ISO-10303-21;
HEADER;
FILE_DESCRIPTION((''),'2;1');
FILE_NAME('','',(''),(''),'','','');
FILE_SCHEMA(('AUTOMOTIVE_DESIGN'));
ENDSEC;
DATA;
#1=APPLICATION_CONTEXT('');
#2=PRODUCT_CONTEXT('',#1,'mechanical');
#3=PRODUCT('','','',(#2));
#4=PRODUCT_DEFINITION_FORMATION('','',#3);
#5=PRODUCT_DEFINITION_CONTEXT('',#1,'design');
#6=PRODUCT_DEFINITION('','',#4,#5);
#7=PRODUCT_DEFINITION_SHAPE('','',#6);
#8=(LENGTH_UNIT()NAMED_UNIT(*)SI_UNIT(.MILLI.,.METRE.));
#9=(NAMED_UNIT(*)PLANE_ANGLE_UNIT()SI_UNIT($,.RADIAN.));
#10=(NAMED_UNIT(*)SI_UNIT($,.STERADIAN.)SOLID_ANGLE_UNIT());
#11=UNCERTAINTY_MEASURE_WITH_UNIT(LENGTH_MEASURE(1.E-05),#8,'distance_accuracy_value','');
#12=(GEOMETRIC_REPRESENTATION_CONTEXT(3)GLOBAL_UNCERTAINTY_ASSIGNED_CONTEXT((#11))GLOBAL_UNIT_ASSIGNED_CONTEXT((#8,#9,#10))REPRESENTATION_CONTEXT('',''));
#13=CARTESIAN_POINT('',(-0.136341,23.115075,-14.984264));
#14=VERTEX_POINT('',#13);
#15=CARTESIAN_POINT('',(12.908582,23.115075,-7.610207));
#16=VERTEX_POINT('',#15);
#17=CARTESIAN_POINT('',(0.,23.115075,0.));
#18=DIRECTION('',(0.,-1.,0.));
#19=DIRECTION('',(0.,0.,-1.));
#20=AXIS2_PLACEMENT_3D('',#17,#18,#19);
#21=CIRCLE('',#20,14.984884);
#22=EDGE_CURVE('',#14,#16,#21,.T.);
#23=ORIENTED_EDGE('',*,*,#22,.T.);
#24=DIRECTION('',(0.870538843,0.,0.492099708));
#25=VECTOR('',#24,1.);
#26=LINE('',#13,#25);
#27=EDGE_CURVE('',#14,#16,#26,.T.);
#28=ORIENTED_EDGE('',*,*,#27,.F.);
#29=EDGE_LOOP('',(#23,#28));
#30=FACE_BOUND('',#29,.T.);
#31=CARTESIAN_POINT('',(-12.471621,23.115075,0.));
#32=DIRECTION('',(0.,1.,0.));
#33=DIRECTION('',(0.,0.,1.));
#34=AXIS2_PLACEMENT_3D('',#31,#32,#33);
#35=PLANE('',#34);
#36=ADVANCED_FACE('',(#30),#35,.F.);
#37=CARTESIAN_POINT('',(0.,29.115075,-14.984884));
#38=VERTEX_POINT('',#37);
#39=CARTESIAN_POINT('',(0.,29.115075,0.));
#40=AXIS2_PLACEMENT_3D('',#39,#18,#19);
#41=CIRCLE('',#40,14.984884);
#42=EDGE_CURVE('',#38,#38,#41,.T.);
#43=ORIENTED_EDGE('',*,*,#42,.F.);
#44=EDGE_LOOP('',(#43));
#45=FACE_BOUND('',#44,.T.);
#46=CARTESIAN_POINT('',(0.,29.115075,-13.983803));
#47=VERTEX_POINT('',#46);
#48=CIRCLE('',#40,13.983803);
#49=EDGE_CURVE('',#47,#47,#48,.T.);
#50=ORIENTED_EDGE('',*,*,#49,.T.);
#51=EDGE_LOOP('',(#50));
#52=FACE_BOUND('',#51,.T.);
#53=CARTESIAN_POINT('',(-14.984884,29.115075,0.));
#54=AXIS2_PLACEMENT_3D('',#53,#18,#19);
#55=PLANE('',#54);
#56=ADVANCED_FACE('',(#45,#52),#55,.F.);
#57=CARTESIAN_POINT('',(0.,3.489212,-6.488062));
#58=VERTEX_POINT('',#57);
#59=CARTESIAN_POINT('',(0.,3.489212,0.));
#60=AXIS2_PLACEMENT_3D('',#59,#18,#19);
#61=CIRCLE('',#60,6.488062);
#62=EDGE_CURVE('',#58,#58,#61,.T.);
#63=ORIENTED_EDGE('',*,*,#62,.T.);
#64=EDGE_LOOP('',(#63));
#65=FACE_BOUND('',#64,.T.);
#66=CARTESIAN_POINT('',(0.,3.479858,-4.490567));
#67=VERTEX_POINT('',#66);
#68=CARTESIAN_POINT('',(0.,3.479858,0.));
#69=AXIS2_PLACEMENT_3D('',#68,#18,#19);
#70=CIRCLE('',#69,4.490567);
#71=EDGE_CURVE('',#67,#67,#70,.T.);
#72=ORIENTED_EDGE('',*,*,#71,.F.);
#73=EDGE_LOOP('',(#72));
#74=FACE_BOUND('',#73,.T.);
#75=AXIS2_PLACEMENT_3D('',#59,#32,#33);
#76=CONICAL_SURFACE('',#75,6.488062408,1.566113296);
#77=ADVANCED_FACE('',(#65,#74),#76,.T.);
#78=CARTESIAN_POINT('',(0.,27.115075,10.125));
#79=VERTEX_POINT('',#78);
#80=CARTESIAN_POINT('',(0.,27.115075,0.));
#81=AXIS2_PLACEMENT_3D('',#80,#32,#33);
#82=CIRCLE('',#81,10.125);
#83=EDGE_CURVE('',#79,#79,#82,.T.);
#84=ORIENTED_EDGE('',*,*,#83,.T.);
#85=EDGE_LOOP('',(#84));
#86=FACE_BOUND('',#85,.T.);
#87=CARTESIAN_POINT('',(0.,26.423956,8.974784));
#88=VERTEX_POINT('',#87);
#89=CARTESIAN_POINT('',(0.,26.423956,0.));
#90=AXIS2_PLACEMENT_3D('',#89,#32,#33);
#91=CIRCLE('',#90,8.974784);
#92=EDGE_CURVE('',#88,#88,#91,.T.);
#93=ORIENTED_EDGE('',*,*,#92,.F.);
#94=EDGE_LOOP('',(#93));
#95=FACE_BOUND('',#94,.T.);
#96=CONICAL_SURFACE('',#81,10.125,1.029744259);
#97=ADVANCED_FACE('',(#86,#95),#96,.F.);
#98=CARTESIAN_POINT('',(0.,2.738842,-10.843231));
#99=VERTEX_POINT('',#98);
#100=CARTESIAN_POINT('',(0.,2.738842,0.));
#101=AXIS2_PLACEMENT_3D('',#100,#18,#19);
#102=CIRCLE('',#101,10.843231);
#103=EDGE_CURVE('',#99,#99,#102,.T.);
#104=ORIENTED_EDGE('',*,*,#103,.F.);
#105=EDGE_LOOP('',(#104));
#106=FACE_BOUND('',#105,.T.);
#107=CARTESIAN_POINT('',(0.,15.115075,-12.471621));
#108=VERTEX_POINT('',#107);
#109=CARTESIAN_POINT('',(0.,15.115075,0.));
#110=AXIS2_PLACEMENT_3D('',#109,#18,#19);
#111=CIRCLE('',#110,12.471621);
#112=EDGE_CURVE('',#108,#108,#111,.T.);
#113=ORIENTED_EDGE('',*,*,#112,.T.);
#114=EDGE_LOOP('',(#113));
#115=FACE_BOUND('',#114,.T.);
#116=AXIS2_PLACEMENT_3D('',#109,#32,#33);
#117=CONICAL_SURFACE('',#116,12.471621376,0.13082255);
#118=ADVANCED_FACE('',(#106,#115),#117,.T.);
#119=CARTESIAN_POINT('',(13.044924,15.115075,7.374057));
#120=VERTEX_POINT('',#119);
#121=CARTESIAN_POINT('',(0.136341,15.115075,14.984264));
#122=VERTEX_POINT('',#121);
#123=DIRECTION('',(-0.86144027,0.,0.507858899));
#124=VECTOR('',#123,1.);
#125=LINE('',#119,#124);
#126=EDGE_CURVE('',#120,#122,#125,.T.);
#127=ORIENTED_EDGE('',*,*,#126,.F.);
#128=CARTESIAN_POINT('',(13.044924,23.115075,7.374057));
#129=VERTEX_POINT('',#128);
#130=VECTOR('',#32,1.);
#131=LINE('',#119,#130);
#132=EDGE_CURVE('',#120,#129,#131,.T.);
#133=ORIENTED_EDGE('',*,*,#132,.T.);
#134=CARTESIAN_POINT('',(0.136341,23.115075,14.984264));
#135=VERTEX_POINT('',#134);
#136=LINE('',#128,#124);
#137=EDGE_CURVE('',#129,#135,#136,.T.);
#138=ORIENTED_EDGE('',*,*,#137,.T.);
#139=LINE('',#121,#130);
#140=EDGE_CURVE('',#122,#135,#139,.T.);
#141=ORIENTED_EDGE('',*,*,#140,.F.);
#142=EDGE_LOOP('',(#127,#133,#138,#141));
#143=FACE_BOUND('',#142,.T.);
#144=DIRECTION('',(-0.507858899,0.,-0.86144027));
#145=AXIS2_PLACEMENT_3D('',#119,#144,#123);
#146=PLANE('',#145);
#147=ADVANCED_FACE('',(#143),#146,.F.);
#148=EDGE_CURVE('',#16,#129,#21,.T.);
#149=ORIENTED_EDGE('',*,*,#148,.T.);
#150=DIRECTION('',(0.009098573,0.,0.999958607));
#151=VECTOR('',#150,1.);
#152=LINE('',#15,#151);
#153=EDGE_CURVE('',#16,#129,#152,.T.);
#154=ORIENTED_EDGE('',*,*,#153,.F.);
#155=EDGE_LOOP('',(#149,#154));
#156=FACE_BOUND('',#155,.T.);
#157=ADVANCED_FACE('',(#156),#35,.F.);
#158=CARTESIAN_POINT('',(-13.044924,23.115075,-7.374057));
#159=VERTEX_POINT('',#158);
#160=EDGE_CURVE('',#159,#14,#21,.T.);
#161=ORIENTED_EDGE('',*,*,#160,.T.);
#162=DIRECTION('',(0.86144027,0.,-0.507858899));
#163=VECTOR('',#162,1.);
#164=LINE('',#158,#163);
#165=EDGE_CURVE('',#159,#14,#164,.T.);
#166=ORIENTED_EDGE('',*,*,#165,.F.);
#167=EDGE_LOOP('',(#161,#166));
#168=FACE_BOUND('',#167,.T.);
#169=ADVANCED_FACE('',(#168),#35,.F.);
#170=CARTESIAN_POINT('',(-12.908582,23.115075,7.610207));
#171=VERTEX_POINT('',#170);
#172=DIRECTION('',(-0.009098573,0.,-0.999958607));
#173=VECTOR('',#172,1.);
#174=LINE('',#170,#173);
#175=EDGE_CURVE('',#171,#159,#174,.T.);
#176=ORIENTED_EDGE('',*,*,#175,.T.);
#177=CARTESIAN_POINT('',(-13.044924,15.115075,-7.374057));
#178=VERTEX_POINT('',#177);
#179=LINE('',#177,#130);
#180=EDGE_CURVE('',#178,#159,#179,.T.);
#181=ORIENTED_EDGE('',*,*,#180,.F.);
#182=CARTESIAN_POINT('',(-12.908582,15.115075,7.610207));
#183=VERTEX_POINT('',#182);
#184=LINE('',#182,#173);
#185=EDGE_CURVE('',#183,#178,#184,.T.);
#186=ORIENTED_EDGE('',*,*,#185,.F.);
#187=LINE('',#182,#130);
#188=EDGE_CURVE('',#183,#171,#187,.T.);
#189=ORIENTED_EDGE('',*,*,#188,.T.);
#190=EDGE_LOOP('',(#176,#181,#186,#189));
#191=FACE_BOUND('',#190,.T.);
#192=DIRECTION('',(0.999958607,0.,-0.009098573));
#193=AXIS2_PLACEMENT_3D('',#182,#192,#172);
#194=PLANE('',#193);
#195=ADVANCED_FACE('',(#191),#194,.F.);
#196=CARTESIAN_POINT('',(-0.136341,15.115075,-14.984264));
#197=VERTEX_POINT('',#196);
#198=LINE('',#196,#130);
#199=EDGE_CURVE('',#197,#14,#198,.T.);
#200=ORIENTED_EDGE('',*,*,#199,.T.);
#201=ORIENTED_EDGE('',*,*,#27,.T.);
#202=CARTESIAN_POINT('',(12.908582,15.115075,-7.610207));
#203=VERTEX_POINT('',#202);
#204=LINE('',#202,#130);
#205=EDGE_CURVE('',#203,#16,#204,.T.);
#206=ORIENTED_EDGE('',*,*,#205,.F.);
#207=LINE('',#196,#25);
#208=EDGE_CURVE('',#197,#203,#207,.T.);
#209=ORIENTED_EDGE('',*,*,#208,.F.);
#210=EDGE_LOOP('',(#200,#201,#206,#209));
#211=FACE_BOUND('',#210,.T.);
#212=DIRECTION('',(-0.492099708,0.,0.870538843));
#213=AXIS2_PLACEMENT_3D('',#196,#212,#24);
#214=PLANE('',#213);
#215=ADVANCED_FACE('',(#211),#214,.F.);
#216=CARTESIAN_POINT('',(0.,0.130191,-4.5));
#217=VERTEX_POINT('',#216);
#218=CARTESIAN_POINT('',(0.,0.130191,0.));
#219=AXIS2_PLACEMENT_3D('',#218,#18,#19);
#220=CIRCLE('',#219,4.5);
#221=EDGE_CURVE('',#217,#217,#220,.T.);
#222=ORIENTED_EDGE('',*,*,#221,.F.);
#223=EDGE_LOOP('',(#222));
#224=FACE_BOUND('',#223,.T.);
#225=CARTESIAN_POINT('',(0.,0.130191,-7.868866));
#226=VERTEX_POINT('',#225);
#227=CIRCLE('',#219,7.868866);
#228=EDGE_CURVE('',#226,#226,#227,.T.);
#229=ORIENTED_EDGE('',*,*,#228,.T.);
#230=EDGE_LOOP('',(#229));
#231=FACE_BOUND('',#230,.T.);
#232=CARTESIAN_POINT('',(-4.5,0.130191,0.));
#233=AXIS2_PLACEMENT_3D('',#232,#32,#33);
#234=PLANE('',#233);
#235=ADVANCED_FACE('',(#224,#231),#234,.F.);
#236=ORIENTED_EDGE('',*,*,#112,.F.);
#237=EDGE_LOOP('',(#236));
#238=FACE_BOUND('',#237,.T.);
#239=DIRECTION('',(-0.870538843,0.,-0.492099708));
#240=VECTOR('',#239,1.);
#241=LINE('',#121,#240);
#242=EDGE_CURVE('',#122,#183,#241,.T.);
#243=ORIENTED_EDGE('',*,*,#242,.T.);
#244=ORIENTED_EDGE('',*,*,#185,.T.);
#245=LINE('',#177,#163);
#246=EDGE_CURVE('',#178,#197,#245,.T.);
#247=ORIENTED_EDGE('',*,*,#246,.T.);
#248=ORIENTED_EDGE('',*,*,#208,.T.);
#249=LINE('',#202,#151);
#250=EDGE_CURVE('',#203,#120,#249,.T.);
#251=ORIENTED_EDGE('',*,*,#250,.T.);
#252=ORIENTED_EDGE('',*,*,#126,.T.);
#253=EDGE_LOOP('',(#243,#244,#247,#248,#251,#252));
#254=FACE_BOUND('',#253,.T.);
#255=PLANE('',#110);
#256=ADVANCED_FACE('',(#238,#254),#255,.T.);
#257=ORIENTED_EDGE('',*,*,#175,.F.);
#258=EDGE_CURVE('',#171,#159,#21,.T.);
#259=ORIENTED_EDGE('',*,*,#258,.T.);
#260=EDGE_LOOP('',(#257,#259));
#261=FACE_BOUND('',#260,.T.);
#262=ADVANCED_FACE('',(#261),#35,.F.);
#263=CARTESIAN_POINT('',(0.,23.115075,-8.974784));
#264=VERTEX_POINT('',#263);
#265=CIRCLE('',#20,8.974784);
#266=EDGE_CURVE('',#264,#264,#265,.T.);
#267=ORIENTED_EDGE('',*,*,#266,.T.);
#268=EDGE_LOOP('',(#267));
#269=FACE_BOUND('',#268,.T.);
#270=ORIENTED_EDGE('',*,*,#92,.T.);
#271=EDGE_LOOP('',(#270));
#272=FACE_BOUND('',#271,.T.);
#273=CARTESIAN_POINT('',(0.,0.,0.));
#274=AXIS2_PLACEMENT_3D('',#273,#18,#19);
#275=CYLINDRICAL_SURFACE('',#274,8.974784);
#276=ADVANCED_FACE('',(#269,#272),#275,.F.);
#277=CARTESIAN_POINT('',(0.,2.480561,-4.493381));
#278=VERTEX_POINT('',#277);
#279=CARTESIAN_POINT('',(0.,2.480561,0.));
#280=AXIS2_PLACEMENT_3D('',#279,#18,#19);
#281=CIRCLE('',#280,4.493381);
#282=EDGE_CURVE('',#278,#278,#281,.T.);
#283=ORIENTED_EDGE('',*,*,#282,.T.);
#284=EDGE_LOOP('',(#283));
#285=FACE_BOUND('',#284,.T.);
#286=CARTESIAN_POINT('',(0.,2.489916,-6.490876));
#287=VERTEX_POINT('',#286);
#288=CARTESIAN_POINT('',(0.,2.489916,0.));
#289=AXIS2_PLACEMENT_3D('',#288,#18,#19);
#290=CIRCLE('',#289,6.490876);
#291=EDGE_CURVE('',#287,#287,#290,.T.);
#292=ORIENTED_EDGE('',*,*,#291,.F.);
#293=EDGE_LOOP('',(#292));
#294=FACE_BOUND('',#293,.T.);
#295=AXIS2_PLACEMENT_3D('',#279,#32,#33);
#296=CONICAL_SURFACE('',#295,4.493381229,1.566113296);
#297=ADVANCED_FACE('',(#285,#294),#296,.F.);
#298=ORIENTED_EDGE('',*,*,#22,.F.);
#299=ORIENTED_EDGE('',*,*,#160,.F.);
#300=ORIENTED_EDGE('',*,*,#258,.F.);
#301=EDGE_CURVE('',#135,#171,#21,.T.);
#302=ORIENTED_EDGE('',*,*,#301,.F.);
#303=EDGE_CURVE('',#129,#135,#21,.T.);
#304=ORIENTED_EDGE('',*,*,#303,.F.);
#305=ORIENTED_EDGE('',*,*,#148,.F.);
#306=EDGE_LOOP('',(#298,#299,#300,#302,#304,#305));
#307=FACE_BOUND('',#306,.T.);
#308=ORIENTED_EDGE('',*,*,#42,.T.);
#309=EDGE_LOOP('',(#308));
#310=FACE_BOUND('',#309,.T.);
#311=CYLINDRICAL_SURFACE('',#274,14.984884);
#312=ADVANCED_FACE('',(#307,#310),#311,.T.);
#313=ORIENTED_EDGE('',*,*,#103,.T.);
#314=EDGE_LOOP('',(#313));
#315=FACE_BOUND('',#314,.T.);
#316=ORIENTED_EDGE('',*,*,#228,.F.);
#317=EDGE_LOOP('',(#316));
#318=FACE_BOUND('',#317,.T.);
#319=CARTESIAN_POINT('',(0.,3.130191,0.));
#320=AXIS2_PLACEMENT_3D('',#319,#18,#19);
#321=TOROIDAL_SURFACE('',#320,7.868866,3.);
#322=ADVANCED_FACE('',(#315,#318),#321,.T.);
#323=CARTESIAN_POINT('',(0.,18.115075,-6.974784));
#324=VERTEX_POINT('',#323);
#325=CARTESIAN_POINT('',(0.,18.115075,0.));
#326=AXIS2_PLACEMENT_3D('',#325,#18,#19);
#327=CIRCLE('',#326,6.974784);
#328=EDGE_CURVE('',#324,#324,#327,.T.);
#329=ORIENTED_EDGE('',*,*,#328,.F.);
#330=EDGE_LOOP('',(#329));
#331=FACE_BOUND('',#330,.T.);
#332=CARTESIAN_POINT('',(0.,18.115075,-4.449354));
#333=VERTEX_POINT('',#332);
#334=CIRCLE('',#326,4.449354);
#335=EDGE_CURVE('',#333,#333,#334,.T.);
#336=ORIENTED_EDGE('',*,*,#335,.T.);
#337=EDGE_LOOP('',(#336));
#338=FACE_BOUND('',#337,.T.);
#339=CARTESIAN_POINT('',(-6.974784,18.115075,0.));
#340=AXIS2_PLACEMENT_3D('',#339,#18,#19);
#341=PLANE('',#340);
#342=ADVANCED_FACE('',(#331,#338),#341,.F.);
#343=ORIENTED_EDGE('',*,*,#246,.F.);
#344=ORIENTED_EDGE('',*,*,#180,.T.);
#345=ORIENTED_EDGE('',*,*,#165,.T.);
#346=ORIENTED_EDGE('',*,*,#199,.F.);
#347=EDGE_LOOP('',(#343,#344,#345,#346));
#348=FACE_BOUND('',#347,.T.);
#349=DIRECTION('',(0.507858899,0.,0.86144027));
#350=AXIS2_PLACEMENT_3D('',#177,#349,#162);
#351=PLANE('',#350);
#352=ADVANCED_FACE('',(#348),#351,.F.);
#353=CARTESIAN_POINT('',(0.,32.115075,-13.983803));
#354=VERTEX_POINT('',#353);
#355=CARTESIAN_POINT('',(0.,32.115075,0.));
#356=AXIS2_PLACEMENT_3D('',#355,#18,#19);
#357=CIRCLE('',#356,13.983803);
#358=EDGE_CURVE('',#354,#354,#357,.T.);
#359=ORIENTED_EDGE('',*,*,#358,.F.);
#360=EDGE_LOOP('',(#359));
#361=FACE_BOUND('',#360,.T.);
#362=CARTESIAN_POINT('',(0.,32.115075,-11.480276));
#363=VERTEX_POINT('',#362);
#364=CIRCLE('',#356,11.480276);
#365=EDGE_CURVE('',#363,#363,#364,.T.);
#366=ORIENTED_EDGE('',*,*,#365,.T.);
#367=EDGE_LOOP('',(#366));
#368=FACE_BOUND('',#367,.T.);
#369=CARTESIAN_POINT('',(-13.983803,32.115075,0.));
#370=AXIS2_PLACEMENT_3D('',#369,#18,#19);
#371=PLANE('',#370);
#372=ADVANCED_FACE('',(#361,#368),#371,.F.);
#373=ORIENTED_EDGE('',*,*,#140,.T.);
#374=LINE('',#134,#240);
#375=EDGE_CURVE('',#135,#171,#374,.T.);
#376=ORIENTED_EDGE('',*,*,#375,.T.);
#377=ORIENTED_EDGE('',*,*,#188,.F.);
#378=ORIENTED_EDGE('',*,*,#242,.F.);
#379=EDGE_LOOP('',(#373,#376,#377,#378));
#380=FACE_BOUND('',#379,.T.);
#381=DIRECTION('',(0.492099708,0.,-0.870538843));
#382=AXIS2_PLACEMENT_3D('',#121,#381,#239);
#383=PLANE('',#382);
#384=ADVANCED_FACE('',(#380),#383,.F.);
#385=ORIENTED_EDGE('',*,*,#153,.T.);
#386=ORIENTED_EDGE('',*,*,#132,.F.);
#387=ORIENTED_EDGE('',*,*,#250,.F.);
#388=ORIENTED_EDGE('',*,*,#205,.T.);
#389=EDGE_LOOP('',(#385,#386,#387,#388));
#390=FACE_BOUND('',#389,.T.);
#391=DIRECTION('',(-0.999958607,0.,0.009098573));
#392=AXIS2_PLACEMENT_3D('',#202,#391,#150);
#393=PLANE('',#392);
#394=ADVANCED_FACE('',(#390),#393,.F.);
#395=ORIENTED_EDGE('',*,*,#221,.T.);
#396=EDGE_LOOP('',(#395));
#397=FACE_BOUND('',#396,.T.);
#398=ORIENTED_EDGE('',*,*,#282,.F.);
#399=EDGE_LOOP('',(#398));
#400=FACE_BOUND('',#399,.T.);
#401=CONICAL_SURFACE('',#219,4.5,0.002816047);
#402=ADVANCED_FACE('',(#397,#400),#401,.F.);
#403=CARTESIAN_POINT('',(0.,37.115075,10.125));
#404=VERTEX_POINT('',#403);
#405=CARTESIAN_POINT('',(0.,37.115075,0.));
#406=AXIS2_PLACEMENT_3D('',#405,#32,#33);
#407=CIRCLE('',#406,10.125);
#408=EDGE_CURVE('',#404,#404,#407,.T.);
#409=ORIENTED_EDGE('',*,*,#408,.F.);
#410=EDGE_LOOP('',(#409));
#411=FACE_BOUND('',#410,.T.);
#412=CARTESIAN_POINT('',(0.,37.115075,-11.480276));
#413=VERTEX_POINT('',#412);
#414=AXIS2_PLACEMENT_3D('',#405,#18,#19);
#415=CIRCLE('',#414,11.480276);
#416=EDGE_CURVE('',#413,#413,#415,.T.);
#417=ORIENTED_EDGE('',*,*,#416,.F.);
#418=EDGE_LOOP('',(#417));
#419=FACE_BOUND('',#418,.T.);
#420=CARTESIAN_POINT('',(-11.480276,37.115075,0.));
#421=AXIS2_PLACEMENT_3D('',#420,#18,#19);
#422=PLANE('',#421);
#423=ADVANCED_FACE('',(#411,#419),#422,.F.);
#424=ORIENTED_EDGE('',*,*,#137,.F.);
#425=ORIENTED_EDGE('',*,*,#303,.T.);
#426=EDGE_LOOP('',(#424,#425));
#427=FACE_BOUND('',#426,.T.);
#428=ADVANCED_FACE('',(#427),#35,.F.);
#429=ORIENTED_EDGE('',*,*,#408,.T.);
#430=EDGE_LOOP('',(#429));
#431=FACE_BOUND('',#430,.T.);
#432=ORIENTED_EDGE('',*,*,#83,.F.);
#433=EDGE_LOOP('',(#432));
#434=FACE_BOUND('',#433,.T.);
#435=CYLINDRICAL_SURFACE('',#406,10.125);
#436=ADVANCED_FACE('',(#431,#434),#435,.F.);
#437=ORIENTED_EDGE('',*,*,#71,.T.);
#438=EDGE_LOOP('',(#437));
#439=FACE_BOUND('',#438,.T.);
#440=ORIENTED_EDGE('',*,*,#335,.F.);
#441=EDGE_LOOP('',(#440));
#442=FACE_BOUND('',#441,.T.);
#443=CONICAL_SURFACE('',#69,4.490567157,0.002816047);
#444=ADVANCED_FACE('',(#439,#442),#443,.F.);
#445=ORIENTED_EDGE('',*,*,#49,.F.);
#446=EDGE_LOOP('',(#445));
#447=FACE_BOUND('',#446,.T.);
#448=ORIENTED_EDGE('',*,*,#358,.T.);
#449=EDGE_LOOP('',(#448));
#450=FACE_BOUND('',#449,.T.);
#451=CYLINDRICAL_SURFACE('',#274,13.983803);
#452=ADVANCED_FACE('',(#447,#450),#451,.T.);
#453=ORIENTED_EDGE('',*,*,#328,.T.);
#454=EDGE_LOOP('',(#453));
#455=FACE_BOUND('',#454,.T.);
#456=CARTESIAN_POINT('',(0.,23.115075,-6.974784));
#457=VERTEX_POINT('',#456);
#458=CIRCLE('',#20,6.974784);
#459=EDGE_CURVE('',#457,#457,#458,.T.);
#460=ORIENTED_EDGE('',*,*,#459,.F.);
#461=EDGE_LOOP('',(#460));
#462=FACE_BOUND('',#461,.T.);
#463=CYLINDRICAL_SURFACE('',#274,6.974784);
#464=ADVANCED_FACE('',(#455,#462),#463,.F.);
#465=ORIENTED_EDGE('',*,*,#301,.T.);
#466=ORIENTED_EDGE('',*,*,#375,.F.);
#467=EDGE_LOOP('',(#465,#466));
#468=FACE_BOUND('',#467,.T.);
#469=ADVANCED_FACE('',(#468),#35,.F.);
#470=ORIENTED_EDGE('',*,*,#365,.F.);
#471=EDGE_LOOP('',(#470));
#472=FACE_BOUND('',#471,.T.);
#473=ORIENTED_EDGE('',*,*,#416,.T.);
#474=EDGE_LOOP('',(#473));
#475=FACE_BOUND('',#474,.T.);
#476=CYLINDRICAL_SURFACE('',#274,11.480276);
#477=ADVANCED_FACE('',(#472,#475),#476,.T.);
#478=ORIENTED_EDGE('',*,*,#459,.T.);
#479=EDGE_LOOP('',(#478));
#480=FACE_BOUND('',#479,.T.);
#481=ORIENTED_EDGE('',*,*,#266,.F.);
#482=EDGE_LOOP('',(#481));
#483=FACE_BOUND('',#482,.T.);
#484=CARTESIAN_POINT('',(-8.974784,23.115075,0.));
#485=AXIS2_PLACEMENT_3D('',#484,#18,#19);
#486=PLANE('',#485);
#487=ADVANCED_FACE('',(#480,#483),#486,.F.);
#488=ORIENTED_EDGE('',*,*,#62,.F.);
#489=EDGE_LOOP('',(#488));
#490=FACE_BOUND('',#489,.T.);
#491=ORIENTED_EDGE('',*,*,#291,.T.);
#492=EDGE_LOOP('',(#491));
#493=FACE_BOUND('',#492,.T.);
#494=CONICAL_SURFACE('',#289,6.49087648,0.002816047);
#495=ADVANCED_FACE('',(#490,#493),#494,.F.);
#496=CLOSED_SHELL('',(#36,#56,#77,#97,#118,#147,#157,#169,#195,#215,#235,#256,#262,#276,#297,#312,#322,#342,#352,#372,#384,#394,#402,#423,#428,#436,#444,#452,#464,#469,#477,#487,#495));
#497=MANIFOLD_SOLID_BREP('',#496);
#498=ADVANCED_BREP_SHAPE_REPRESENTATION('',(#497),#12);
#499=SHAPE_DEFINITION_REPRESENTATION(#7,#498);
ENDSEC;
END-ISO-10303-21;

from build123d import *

# Parameters (mm, degrees)
SKETCH_4_R             = 12.471621376
EXTRUDE_2_DEPTH        = 8
SKETCH_6_R             = 8.974783973
EXTRUDE_3_DEPTH        = 8
HOLE_WIZARD_M201_D     = 20.25
HOLE_WIZARD_M201_DEPTH = 10
HOLE_WIZARD_M201_TIP   = 6.083713768


with BuildPart() as part:
    # Эскиз2 → Повернуть1 (revolve)
    with BuildSketch(Plane.XY):
        with BuildLine():
            Line((-4.5, 0.130191103), (-7.868865891, 0.130191103))
            ThreePointArc((-7.868865891, 0.130191103), (-9.846990335, 0.874747979), (-10.843230675, 2.73884198))
            Line((-10.843230675, 2.73884198), (-12.471621376, 15.115075065))
            Line((-12.471621376, 15.115075065), (-12.471621376, 23.115075065))
            Line((-12.471621376, 23.115075065), (-14.984883962, 23.115075065))
            Line((-14.984883962, 23.115075065), (-14.984883962, 29.115075065))
            Line((-14.984883962, 29.115075065), (-13.983803036, 29.115075065))
            Line((-13.983803036, 29.115075065), (-13.983803036, 32.115075065))
            Line((-13.983803036, 32.115075065), (-11.48027645, 32.115075065))
            Line((-11.48027645, 32.115075065), (-11.48027645, 37.115075065))
            Line((-11.48027645, 37.115075065), (-8.974783973, 37.115075065))
            Line((-8.974783973, 37.115075065), (-8.974783973, 23.115075065))
            Line((-8.974783973, 23.115075065), (-6.974783973, 23.115075065))
            Line((-6.974783973, 23.115075065), (-6.974783973, 18.115075065))
            Line((-6.974783973, 18.115075065), (-4.449353589, 18.115075065))
            Line((-4.449353589, 18.115075065), (-4.490567157, 3.479857527))
            Line((-4.490567157, 3.479857527), (-6.488062408, 3.489211927))
            Line((-6.488062408, 3.489211927), (-6.49087648, 2.489915788))
            Line((-6.49087648, 2.489915788), (-4.493381229, 2.480561388))
            Line((-4.493381229, 2.480561388), (-4.5, 0.130191103))
        make_face()
    revolve(axis=Axis((0, 0, 0), (0, 1, 0)))

    # Эскиз4 → Бобышка-Вытянуть2 (add)
    with BuildSketch(Plane(origin=(0, 23.115075065, 0), x_dir=(-1, 0, 0), z_dir=(0, -1, 0))):
        Polygon((-13.044923547, -7.374057026), (-0.13634106, -14.984263695), (12.908582486, -7.610206669), (13.044923547, 7.374057026), (0.13634106, 14.984263695), (-12.908582486, 7.610206669), align=None)
        Circle(SKETCH_4_R, mode=Mode.SUBTRACT)
    extrude(amount=EXTRUDE_2_DEPTH)

    # Эскиз6 → Бобышка-Вытянуть3 (add)
    with BuildSketch(Plane(origin=(0, 37.115075065, 0), x_dir=(1, 0, 0), z_dir=(0, 1, 0))):
        Circle(SKETCH_6_R)
    extrude(amount=-EXTRUDE_3_DEPTH)

    # Сверло под метчик  спиральное M201
    with Locations(Plane(origin=(0, 37.115075065, 0), x_dir=(1, 0, 0), z_dir=(0, 1, 0))):
        with Locations((0, 0)):
            Hole(HOLE_WIZARD_M201_D / 2, depth=HOLE_WIZARD_M201_DEPTH)
            with Locations((0, 0, -(HOLE_WIZARD_M201_DEPTH + HOLE_WIZARD_M201_TIP / 2))):  # 118° drill point
                Cone(0, HOLE_WIZARD_M201_D / 2, HOLE_WIZARD_M201_TIP, mode=Mode.SUBTRACT)


solid = part.part
